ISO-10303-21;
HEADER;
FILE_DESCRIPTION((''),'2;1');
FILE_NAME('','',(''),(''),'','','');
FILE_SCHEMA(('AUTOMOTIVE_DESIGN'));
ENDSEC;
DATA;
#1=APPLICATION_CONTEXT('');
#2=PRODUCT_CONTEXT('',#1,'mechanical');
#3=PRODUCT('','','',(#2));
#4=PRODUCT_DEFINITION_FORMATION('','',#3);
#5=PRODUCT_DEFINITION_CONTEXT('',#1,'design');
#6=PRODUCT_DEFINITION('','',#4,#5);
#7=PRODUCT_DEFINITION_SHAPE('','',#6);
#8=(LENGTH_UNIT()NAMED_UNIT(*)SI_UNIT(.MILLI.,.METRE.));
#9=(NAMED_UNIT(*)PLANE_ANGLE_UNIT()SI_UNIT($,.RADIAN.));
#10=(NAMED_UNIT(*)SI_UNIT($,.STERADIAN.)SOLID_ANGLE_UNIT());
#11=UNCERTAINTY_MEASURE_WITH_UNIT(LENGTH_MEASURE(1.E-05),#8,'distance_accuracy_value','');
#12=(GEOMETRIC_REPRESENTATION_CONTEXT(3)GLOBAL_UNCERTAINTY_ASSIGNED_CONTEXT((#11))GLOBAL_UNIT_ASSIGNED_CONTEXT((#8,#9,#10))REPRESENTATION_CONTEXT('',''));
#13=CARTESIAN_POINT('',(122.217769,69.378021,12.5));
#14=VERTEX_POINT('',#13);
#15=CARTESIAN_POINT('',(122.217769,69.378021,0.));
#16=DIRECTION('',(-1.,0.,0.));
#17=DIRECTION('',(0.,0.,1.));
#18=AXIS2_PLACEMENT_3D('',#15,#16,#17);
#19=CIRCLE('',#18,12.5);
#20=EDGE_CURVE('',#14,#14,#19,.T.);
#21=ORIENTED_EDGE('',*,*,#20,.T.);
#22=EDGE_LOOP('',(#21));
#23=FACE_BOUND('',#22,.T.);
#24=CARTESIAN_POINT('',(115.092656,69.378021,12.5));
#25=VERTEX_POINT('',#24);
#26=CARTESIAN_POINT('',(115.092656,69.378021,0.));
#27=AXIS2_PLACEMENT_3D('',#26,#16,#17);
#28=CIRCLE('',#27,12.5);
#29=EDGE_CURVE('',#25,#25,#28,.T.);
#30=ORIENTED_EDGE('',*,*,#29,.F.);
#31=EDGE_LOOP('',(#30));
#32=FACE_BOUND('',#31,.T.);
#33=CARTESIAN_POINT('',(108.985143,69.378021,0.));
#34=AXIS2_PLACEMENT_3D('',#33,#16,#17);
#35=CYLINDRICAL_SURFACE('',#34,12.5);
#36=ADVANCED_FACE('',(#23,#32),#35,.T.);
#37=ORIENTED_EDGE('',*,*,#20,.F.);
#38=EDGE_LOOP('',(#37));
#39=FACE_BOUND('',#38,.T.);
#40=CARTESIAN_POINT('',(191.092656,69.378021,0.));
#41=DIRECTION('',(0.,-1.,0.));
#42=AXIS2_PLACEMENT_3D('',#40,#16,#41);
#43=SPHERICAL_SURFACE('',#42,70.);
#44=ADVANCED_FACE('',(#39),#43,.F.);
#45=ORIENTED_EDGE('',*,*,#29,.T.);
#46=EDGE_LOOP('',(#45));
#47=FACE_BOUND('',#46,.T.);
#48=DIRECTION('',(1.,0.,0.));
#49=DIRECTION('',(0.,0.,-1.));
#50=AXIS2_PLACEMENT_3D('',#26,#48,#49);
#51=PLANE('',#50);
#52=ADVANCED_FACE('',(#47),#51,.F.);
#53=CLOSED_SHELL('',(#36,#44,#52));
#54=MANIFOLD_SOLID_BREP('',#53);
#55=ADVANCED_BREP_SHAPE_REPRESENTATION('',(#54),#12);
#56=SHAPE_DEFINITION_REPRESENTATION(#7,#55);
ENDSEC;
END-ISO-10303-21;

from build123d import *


with BuildPart() as part:
    # 草图1 → 旋转1 (revolve)
    with BuildSketch(Plane.XY, mode=Mode.PRIVATE) as revolve_1_sk:
        with BuildLine():
            Line((115.092655535, 69.378021123), (115.092655535, 81.878021123))
            Line((115.092655535, 81.878021123), (122.217768961, 81.878021123))
            ThreePointArc((122.217768961, 81.878021123), (121.374501296, 75.653287656), (121.092655531, 69.378021123))
            Line((121.092655531, 69.378021123), (115.092655535, 69.378021123))
        make_face()
    revolve(revolve_1_sk.sketch.rotate(Axis((108.985143002, 69.378021123, 0), (1, 0, 0)), 180), axis=Axis((108.985143002, 69.378021123, 0), (1, 0, 0)))  # turned: the seam where the file's is


solid = part.part
